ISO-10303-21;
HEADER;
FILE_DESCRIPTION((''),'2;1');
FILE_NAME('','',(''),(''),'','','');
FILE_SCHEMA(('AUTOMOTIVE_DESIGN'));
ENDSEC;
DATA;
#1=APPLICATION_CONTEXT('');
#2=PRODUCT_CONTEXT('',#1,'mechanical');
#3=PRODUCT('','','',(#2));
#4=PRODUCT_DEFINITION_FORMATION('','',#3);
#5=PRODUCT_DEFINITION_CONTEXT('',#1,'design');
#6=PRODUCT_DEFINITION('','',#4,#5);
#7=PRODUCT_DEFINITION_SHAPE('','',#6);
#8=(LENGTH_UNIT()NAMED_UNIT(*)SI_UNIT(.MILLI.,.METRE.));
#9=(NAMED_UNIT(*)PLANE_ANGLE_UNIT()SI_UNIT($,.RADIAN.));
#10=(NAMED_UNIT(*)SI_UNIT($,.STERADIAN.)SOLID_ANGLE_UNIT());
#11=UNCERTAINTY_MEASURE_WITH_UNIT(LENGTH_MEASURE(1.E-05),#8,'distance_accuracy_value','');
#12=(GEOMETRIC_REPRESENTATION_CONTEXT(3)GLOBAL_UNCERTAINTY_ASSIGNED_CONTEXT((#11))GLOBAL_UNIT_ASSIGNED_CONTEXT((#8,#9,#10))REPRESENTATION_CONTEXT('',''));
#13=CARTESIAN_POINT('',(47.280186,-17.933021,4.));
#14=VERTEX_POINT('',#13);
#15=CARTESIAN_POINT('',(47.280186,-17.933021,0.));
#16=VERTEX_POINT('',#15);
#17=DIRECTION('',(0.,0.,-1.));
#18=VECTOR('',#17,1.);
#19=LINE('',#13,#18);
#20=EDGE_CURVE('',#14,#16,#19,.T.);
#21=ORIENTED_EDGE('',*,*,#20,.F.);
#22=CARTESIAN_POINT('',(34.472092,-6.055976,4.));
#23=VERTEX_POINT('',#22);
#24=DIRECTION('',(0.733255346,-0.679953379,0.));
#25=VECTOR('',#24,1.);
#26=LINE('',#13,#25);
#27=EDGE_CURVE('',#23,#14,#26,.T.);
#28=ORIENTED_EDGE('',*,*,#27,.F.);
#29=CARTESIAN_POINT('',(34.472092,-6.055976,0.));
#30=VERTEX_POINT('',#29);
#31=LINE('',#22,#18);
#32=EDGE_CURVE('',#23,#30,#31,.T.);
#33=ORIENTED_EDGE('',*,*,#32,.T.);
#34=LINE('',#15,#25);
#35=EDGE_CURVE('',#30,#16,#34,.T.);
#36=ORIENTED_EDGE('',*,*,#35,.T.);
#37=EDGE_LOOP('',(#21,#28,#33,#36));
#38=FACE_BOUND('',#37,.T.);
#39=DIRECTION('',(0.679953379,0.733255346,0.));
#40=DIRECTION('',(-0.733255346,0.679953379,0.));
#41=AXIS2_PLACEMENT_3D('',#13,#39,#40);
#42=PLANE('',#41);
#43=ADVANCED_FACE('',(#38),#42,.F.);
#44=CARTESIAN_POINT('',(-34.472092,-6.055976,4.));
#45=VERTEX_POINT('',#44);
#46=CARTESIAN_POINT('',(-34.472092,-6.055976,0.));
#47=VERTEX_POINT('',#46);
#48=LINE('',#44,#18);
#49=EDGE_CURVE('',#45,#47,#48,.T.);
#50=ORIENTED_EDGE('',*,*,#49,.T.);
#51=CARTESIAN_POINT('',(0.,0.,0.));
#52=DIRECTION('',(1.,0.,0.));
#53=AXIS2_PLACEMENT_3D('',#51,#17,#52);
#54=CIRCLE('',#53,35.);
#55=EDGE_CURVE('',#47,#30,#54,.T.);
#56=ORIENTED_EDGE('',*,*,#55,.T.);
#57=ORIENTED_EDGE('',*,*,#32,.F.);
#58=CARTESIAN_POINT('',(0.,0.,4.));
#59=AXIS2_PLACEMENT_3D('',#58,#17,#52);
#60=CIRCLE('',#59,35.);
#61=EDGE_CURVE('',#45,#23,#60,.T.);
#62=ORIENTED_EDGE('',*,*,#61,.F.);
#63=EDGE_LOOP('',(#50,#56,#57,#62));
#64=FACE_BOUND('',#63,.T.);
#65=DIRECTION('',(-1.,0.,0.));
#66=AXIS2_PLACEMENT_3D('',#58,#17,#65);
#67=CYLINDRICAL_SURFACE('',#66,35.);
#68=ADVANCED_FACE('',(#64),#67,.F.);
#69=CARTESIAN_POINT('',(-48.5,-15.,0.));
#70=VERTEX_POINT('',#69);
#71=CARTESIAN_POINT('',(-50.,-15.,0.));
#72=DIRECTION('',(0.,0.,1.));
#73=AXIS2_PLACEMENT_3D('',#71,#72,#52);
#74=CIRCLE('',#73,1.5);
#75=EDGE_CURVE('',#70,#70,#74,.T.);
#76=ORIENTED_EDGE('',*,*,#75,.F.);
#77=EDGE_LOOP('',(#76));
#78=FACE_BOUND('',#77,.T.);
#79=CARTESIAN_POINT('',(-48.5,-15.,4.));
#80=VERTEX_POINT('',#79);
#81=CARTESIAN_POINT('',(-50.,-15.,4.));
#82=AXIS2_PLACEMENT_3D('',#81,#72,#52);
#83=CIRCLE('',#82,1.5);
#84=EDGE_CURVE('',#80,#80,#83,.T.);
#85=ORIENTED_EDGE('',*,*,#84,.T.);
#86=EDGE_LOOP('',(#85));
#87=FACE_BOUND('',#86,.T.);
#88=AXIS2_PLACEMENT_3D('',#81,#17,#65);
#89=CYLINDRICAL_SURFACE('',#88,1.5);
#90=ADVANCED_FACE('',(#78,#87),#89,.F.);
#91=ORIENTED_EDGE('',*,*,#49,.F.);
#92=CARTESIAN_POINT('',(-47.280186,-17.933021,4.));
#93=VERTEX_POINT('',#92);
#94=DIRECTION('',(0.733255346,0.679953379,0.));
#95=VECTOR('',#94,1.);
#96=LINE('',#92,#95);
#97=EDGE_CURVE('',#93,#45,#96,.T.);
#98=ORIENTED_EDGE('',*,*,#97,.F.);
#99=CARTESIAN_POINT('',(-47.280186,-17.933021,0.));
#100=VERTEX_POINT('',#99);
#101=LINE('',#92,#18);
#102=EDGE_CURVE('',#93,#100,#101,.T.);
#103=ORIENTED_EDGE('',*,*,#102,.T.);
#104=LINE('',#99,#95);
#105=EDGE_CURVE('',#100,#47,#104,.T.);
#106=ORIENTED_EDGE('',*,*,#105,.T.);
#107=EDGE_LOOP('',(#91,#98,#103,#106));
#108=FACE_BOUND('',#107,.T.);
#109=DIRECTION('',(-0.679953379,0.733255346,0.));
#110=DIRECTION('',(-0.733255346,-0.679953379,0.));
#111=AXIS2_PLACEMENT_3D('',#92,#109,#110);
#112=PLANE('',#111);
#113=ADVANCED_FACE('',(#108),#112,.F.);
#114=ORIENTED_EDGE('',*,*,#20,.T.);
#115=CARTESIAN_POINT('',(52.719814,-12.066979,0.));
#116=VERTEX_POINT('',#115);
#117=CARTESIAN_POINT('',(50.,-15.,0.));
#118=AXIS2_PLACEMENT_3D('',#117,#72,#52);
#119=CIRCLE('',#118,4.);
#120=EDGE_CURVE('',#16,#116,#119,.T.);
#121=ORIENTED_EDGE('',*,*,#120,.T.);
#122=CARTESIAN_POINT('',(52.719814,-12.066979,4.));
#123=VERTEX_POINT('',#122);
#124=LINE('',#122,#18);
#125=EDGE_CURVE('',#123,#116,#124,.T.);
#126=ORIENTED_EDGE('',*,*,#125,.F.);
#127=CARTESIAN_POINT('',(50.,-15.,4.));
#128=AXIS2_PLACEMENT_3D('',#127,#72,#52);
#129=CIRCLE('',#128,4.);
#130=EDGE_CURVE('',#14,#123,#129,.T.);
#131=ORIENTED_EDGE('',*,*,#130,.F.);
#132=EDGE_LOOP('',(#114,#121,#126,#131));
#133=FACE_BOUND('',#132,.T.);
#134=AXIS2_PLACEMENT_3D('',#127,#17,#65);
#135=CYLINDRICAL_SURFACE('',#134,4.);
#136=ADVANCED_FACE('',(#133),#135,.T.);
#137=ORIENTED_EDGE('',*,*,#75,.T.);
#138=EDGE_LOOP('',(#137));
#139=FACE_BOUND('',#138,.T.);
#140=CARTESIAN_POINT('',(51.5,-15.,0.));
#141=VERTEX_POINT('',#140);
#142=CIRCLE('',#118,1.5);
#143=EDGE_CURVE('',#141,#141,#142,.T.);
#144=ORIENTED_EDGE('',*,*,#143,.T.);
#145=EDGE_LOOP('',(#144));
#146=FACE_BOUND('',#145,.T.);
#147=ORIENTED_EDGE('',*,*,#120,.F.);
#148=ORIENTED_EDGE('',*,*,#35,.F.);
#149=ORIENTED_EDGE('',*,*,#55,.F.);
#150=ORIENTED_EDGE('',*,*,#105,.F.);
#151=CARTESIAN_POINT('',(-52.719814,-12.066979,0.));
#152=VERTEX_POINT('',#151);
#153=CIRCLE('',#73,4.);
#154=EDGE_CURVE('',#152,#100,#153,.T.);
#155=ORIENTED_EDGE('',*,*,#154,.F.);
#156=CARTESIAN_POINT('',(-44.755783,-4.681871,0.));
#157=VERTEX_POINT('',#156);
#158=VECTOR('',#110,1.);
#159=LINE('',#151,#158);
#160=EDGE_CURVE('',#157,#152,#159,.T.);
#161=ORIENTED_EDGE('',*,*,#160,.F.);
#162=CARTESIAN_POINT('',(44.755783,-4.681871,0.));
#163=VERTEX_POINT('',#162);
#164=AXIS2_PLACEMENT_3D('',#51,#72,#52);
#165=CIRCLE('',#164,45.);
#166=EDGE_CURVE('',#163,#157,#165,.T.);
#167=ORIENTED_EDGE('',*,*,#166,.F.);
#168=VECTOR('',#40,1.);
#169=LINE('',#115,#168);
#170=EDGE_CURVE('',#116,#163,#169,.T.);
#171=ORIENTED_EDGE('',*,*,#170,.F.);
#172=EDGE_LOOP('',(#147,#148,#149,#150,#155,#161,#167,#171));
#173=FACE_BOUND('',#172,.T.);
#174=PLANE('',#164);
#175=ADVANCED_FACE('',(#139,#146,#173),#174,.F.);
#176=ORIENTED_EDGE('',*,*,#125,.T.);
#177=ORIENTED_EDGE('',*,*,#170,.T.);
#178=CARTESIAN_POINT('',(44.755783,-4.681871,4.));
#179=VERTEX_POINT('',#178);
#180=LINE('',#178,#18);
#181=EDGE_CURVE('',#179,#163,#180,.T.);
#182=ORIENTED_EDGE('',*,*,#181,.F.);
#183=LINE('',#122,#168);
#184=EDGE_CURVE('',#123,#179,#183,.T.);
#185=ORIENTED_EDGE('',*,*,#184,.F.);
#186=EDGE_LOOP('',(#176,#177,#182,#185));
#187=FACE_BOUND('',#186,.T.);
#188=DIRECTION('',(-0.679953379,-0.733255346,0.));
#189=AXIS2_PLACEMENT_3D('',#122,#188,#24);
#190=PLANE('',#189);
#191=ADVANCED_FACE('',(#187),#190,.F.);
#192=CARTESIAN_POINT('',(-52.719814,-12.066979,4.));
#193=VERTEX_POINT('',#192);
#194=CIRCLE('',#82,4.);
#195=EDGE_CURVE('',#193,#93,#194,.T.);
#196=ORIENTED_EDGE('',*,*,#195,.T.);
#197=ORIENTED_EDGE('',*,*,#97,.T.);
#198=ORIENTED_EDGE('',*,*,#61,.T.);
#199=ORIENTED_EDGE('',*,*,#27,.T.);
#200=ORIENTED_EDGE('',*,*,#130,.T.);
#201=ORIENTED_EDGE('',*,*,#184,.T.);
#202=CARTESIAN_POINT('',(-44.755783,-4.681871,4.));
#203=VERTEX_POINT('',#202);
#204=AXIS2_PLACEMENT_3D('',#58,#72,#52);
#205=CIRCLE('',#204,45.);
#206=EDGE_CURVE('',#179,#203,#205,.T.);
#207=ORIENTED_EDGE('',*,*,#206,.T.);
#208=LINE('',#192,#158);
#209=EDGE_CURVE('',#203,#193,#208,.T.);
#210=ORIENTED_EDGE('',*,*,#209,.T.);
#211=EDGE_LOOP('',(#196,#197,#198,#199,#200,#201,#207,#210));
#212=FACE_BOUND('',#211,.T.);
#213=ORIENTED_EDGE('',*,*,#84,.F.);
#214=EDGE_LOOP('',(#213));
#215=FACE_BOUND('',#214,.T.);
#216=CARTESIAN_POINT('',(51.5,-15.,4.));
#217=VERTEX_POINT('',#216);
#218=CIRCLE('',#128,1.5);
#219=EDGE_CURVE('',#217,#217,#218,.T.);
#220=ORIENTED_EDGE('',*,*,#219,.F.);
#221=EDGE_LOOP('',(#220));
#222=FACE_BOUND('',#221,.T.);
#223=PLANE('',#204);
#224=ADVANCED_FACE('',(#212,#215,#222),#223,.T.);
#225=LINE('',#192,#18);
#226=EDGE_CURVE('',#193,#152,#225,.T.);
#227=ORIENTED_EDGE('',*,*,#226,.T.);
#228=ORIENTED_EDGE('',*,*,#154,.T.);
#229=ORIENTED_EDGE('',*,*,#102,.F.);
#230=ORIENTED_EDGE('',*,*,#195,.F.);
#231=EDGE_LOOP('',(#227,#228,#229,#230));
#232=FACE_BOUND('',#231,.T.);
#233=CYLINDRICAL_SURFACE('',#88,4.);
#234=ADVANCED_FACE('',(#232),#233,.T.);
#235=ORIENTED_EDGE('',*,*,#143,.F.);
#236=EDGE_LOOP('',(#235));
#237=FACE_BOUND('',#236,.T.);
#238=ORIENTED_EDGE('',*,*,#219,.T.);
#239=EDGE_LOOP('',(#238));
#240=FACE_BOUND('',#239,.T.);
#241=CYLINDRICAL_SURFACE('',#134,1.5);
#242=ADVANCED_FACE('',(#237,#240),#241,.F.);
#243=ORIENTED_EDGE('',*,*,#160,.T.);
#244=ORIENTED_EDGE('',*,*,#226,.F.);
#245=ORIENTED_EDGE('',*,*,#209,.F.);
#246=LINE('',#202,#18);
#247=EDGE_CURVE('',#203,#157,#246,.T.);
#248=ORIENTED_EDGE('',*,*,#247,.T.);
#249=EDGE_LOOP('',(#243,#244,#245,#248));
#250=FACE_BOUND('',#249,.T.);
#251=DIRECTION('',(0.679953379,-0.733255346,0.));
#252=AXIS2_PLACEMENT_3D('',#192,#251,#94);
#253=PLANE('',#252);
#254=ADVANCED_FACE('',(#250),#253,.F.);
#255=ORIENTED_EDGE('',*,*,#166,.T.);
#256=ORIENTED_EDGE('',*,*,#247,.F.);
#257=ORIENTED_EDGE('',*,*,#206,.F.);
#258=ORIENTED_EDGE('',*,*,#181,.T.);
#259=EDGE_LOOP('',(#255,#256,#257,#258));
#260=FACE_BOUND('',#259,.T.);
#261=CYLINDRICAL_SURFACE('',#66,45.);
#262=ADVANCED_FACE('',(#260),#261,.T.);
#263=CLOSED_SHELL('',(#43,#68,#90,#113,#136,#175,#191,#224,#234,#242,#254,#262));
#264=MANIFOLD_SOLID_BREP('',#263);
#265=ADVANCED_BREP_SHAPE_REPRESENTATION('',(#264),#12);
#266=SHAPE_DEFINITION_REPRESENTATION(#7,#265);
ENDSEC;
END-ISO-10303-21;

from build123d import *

# Parameters (mm, degrees)
SKETCH_1_R      = 1.5
EXTRUDE_1_DEPTH = 4


with BuildPart() as part:
    # 草图1 → 凸台-拉伸1 (new body)
    with BuildSketch(Plane.XY):
        with BuildLine():
            Line((-52.719813515, -12.066978615), (-44.755782691, -4.681870965))
            ThreePointArc((-44.755782691, -4.681870965), (0, 45), (44.755782691, -4.681870965))
            Line((44.755782691, -4.681870965), (52.719813515, -12.066978615))
            ThreePointArc((52.719813515, -12.066978615), (52.933021385, -17.719813515), (47.280186485, -17.933021385))
            Line((47.280186485, -17.933021385), (34.472092367, -6.055976211))
            ThreePointArc((34.472092367, -6.055976211), (0, 35), (-34.472092367, -6.055976211))
            Line((-34.472092367, -6.055976211), (-47.280186485, -17.933021385))
            ThreePointArc((-47.280186485, -17.933021385), (-52.933021385, -17.719813515), (-52.719813515, -12.066978615))
        make_face()
        with Locations((-50, -15)):
            Circle(SKETCH_1_R, mode=Mode.SUBTRACT)
        with Locations((50, -15)):
            Circle(SKETCH_1_R, mode=Mode.SUBTRACT)
    extrude(amount=EXTRUDE_1_DEPTH)


solid = part.part
